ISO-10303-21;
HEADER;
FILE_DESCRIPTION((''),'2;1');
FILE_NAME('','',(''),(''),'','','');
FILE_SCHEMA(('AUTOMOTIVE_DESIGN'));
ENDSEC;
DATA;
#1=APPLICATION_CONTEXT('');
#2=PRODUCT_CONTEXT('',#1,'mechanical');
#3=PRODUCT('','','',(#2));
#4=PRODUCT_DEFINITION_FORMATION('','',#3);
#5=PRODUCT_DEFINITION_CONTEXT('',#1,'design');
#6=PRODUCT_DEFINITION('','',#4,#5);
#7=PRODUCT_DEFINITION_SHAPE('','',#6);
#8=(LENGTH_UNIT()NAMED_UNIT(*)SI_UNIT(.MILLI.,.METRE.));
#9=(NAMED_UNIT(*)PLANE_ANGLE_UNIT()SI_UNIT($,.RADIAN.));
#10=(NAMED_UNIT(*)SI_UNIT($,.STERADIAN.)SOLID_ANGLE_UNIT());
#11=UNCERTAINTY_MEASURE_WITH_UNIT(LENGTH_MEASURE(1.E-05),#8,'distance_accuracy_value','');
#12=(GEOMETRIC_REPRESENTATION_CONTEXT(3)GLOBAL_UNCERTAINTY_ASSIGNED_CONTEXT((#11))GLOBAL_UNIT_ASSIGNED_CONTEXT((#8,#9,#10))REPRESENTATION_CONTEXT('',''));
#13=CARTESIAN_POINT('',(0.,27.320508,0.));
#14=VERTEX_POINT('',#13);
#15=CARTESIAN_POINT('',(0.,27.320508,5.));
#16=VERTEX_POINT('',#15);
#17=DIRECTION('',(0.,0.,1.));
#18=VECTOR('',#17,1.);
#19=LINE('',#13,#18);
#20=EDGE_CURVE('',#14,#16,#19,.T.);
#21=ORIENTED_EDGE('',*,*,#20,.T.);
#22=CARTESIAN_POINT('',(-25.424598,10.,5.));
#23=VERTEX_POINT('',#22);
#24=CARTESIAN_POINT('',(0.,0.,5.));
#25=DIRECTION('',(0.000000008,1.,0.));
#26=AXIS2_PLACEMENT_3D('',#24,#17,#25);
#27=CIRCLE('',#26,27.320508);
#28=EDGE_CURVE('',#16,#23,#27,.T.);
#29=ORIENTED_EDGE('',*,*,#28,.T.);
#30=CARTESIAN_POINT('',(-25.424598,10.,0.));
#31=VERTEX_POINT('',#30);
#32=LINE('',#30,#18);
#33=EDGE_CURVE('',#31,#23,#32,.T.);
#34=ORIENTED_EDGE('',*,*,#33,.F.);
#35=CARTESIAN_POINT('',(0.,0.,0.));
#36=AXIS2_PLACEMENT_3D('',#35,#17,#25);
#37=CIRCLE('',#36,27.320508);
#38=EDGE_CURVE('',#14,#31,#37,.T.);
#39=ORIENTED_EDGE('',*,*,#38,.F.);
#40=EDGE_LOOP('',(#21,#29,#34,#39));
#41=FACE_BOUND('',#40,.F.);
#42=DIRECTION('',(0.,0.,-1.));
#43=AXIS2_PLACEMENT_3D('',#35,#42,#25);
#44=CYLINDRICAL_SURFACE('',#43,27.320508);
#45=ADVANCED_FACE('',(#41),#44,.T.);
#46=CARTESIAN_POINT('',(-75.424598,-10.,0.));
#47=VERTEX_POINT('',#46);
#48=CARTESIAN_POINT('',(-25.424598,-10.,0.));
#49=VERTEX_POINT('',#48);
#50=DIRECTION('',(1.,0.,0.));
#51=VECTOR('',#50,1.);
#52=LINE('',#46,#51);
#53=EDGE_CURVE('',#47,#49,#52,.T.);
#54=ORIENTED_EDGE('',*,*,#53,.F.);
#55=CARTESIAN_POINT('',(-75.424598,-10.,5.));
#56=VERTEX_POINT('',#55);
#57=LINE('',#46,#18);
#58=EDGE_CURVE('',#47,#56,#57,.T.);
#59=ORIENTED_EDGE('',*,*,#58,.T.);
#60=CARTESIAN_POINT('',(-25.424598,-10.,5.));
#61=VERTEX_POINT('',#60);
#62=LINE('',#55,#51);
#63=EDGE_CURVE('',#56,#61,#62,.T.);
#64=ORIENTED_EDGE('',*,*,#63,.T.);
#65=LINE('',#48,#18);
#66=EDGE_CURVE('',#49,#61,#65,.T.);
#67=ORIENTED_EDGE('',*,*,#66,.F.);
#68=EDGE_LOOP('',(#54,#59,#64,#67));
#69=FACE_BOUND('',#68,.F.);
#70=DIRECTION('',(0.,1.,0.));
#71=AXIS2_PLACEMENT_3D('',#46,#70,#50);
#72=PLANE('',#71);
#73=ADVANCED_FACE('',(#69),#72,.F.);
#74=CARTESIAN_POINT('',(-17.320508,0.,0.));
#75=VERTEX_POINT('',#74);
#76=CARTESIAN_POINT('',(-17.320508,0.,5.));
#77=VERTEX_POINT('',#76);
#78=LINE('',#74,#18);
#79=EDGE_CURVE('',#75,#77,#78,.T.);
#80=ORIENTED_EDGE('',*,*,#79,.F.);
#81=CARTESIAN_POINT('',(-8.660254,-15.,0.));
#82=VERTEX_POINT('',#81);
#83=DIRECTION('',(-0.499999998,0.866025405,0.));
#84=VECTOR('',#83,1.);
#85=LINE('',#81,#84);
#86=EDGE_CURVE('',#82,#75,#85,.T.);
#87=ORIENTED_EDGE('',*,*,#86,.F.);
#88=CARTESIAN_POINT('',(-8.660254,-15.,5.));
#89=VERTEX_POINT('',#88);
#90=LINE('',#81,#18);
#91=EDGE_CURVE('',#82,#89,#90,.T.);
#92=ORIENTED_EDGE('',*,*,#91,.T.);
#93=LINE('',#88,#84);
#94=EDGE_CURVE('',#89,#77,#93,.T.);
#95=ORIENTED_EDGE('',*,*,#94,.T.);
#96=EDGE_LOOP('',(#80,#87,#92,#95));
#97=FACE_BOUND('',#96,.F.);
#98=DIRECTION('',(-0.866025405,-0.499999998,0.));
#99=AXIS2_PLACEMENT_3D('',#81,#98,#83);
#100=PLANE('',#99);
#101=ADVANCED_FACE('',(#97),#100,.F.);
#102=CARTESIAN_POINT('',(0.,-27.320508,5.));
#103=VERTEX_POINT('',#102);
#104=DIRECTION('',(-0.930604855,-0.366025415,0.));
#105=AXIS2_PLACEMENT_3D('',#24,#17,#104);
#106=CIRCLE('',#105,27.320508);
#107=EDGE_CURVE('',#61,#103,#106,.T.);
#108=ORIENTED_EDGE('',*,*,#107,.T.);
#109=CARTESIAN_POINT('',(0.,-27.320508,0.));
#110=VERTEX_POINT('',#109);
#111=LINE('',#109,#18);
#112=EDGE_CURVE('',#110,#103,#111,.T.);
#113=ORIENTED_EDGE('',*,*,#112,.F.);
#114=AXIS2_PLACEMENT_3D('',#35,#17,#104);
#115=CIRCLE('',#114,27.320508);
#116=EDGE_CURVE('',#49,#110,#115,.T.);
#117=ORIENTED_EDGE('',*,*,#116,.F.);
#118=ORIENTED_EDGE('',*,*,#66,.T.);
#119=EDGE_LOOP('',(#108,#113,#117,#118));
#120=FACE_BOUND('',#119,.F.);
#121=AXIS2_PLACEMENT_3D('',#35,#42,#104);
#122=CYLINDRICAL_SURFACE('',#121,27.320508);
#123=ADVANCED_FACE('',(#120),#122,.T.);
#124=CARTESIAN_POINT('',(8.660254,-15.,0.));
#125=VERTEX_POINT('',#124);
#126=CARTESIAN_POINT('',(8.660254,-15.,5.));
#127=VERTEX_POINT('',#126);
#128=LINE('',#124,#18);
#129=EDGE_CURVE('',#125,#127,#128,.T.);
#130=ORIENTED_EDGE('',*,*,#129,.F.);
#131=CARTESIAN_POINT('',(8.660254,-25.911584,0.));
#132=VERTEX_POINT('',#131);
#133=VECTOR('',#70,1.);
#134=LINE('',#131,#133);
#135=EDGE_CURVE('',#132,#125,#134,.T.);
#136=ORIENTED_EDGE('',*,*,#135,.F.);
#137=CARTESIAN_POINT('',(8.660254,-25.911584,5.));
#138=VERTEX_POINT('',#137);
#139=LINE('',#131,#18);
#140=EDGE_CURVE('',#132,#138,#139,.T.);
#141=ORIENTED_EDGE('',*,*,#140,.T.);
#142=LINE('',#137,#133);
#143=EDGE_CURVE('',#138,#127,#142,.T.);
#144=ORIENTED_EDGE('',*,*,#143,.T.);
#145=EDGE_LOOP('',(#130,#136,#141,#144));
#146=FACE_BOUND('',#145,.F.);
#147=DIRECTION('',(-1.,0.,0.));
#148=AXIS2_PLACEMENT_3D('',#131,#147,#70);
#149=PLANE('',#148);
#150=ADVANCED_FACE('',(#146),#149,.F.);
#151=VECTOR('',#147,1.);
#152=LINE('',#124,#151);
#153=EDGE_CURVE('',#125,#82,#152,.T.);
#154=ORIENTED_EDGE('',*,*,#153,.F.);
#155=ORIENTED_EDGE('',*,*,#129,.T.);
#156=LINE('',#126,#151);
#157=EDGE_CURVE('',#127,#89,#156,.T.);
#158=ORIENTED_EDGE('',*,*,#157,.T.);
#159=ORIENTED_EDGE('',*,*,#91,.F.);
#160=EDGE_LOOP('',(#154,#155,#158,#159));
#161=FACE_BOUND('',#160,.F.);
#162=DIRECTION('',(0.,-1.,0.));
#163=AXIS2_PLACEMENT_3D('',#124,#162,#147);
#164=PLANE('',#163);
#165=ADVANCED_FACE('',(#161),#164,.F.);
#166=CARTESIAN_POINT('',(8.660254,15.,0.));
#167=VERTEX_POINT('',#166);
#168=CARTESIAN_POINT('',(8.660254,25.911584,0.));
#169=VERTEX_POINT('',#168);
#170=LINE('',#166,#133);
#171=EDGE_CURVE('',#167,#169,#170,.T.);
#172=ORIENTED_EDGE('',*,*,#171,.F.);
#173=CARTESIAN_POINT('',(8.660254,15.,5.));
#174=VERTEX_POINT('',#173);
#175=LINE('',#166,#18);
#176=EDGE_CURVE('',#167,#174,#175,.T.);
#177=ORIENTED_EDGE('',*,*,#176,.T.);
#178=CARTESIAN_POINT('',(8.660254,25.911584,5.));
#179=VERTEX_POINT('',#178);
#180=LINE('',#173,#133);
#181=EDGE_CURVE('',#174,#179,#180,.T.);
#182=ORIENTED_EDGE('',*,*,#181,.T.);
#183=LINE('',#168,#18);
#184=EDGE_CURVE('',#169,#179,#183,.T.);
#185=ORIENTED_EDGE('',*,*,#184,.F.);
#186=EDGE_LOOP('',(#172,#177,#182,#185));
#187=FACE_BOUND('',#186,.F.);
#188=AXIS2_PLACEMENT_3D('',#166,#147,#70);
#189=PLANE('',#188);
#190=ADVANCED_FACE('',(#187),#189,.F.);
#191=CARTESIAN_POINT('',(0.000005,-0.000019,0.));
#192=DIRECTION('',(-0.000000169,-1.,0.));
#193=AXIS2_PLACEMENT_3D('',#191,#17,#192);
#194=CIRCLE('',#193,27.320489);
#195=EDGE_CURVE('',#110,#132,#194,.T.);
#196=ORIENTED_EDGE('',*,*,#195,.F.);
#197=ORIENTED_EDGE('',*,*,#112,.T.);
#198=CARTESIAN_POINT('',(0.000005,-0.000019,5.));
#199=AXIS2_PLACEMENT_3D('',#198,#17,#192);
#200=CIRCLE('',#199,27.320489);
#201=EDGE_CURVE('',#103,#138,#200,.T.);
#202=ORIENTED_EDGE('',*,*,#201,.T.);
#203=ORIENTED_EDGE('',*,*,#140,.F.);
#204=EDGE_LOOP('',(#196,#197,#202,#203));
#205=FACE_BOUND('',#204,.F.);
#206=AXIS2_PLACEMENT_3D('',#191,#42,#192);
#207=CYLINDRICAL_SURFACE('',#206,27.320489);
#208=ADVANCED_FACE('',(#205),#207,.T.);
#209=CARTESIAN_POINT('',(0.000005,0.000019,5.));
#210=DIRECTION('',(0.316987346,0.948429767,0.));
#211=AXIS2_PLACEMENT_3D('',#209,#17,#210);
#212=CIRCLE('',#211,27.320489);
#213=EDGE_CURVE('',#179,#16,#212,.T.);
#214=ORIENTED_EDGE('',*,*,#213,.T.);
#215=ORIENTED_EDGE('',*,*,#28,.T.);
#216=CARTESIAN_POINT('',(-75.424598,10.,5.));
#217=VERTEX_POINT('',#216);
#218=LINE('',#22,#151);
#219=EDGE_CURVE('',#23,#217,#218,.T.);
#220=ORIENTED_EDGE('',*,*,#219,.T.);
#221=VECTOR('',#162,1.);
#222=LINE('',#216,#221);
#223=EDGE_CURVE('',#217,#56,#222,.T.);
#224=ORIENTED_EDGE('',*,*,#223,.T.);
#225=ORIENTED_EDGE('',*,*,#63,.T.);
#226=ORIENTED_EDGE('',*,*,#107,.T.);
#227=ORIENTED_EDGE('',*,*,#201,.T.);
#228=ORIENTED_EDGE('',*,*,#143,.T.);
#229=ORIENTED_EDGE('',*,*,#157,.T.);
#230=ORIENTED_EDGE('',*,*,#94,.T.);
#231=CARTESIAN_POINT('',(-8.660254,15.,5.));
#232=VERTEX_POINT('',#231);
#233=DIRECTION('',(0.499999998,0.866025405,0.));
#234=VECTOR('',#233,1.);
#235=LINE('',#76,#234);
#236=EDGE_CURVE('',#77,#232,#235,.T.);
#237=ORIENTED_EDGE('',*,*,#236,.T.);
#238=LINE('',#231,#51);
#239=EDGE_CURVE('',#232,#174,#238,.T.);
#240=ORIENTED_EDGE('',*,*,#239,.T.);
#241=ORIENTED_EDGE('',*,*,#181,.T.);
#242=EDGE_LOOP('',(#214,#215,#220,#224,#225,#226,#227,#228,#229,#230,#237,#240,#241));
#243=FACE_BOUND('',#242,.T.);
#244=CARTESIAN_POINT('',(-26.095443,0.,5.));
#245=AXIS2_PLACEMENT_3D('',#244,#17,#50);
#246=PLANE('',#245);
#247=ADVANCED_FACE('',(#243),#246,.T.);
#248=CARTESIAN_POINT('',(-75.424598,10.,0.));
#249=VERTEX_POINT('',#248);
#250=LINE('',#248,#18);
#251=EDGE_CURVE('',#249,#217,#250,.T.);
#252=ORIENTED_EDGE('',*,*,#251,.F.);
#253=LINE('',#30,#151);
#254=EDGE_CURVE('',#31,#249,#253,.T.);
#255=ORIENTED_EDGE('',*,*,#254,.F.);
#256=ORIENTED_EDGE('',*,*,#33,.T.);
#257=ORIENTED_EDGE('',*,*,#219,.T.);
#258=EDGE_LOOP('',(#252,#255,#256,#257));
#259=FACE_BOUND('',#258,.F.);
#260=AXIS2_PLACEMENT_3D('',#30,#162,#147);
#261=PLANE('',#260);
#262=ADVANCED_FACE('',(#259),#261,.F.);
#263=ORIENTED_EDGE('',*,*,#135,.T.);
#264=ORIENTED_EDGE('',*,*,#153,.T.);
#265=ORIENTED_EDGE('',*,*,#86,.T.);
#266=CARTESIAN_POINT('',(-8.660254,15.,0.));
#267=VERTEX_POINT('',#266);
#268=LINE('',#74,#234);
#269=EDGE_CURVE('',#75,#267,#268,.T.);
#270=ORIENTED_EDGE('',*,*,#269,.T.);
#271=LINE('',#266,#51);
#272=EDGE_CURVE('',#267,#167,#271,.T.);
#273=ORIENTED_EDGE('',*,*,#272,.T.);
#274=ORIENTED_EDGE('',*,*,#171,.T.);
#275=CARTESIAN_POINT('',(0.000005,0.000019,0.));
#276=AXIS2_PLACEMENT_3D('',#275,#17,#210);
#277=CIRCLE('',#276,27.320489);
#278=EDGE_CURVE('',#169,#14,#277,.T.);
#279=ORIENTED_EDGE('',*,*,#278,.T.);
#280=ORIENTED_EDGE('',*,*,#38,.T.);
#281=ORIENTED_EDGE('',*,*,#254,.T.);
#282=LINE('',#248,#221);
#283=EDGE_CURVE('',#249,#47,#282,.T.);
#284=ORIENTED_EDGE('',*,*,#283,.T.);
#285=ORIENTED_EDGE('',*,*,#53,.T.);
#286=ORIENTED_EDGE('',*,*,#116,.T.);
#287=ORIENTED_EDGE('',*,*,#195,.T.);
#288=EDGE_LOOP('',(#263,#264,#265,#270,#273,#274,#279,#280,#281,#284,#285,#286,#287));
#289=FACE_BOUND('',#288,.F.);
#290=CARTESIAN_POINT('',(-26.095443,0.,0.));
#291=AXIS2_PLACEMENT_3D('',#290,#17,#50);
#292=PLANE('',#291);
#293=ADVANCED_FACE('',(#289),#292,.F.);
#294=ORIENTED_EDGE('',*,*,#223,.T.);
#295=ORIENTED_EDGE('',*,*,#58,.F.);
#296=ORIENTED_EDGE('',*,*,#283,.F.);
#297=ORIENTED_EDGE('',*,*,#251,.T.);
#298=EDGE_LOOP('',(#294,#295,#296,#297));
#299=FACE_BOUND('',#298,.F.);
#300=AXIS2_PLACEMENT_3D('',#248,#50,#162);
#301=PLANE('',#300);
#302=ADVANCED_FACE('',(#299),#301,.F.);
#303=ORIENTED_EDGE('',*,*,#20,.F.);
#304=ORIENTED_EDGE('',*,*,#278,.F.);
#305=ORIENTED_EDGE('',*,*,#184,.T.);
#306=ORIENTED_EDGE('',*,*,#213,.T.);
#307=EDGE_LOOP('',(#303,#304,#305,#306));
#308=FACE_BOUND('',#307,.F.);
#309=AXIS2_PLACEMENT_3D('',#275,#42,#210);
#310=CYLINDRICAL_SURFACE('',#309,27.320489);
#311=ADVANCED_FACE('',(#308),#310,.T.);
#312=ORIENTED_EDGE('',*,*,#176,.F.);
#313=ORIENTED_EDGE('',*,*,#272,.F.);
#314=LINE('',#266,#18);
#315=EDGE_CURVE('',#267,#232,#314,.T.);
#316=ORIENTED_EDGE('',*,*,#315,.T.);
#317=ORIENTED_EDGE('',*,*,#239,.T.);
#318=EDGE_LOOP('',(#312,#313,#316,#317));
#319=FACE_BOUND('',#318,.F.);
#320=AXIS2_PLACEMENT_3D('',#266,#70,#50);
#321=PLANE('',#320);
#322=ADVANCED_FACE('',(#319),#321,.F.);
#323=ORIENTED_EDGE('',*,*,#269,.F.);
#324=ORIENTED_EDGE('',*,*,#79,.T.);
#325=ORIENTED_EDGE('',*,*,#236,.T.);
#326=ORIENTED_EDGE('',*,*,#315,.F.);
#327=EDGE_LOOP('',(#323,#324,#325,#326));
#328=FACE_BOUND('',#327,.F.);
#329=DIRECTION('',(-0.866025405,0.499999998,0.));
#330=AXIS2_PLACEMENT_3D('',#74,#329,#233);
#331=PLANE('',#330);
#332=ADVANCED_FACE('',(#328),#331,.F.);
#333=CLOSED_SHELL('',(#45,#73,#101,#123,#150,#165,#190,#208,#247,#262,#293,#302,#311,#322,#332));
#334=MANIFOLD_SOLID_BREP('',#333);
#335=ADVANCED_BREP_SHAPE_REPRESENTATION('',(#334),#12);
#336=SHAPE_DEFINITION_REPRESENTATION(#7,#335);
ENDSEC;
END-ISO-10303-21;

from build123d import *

# Parameters (mm, degrees)
F1_DEPTH = 5


with BuildPart() as f1:
    # F0 (on Top) → F1 (new body)
    with BuildSketch(Plane.XY):
        with BuildLine():
            Line((8.660254, -25.911584), (8.660254, -15))
            Line((8.660254, -15), (0, -15))
            Line((0, -15), (-8.660254, -15))
            Line((-8.660254, -15), (-17.320508, 0))
            Line((-17.320508, 0), (-8.660254, 15))
            Line((-8.660254, 15), (0, 15))
            Line((0, 15), (8.660254, 15))
            Line((8.660254, 15), (8.660254, 25.911584))
            ThreePointArc((8.660254, 25.911584), (4.387057, 26.965977), (0, 27.320508))
            ThreePointArc((0, 27.320508), (-15.38189, 22.57892), (-25.424598, 10))
            Line((-25.424598, 10), (-75.424598, 10))
            Line((-75.424598, 10), (-75.424598, -10))
            Line((-75.424598, -10), (-25.424598, -10))
            ThreePointArc((-25.424598, -10), (-15.38189, -22.57892), (0, -27.320508))
            ThreePointArc((0, -27.320508), (4.387057, -26.965977), (8.660254, -25.911584))
        make_face()
    extrude(amount=F1_DEPTH)


solid = f1.part
